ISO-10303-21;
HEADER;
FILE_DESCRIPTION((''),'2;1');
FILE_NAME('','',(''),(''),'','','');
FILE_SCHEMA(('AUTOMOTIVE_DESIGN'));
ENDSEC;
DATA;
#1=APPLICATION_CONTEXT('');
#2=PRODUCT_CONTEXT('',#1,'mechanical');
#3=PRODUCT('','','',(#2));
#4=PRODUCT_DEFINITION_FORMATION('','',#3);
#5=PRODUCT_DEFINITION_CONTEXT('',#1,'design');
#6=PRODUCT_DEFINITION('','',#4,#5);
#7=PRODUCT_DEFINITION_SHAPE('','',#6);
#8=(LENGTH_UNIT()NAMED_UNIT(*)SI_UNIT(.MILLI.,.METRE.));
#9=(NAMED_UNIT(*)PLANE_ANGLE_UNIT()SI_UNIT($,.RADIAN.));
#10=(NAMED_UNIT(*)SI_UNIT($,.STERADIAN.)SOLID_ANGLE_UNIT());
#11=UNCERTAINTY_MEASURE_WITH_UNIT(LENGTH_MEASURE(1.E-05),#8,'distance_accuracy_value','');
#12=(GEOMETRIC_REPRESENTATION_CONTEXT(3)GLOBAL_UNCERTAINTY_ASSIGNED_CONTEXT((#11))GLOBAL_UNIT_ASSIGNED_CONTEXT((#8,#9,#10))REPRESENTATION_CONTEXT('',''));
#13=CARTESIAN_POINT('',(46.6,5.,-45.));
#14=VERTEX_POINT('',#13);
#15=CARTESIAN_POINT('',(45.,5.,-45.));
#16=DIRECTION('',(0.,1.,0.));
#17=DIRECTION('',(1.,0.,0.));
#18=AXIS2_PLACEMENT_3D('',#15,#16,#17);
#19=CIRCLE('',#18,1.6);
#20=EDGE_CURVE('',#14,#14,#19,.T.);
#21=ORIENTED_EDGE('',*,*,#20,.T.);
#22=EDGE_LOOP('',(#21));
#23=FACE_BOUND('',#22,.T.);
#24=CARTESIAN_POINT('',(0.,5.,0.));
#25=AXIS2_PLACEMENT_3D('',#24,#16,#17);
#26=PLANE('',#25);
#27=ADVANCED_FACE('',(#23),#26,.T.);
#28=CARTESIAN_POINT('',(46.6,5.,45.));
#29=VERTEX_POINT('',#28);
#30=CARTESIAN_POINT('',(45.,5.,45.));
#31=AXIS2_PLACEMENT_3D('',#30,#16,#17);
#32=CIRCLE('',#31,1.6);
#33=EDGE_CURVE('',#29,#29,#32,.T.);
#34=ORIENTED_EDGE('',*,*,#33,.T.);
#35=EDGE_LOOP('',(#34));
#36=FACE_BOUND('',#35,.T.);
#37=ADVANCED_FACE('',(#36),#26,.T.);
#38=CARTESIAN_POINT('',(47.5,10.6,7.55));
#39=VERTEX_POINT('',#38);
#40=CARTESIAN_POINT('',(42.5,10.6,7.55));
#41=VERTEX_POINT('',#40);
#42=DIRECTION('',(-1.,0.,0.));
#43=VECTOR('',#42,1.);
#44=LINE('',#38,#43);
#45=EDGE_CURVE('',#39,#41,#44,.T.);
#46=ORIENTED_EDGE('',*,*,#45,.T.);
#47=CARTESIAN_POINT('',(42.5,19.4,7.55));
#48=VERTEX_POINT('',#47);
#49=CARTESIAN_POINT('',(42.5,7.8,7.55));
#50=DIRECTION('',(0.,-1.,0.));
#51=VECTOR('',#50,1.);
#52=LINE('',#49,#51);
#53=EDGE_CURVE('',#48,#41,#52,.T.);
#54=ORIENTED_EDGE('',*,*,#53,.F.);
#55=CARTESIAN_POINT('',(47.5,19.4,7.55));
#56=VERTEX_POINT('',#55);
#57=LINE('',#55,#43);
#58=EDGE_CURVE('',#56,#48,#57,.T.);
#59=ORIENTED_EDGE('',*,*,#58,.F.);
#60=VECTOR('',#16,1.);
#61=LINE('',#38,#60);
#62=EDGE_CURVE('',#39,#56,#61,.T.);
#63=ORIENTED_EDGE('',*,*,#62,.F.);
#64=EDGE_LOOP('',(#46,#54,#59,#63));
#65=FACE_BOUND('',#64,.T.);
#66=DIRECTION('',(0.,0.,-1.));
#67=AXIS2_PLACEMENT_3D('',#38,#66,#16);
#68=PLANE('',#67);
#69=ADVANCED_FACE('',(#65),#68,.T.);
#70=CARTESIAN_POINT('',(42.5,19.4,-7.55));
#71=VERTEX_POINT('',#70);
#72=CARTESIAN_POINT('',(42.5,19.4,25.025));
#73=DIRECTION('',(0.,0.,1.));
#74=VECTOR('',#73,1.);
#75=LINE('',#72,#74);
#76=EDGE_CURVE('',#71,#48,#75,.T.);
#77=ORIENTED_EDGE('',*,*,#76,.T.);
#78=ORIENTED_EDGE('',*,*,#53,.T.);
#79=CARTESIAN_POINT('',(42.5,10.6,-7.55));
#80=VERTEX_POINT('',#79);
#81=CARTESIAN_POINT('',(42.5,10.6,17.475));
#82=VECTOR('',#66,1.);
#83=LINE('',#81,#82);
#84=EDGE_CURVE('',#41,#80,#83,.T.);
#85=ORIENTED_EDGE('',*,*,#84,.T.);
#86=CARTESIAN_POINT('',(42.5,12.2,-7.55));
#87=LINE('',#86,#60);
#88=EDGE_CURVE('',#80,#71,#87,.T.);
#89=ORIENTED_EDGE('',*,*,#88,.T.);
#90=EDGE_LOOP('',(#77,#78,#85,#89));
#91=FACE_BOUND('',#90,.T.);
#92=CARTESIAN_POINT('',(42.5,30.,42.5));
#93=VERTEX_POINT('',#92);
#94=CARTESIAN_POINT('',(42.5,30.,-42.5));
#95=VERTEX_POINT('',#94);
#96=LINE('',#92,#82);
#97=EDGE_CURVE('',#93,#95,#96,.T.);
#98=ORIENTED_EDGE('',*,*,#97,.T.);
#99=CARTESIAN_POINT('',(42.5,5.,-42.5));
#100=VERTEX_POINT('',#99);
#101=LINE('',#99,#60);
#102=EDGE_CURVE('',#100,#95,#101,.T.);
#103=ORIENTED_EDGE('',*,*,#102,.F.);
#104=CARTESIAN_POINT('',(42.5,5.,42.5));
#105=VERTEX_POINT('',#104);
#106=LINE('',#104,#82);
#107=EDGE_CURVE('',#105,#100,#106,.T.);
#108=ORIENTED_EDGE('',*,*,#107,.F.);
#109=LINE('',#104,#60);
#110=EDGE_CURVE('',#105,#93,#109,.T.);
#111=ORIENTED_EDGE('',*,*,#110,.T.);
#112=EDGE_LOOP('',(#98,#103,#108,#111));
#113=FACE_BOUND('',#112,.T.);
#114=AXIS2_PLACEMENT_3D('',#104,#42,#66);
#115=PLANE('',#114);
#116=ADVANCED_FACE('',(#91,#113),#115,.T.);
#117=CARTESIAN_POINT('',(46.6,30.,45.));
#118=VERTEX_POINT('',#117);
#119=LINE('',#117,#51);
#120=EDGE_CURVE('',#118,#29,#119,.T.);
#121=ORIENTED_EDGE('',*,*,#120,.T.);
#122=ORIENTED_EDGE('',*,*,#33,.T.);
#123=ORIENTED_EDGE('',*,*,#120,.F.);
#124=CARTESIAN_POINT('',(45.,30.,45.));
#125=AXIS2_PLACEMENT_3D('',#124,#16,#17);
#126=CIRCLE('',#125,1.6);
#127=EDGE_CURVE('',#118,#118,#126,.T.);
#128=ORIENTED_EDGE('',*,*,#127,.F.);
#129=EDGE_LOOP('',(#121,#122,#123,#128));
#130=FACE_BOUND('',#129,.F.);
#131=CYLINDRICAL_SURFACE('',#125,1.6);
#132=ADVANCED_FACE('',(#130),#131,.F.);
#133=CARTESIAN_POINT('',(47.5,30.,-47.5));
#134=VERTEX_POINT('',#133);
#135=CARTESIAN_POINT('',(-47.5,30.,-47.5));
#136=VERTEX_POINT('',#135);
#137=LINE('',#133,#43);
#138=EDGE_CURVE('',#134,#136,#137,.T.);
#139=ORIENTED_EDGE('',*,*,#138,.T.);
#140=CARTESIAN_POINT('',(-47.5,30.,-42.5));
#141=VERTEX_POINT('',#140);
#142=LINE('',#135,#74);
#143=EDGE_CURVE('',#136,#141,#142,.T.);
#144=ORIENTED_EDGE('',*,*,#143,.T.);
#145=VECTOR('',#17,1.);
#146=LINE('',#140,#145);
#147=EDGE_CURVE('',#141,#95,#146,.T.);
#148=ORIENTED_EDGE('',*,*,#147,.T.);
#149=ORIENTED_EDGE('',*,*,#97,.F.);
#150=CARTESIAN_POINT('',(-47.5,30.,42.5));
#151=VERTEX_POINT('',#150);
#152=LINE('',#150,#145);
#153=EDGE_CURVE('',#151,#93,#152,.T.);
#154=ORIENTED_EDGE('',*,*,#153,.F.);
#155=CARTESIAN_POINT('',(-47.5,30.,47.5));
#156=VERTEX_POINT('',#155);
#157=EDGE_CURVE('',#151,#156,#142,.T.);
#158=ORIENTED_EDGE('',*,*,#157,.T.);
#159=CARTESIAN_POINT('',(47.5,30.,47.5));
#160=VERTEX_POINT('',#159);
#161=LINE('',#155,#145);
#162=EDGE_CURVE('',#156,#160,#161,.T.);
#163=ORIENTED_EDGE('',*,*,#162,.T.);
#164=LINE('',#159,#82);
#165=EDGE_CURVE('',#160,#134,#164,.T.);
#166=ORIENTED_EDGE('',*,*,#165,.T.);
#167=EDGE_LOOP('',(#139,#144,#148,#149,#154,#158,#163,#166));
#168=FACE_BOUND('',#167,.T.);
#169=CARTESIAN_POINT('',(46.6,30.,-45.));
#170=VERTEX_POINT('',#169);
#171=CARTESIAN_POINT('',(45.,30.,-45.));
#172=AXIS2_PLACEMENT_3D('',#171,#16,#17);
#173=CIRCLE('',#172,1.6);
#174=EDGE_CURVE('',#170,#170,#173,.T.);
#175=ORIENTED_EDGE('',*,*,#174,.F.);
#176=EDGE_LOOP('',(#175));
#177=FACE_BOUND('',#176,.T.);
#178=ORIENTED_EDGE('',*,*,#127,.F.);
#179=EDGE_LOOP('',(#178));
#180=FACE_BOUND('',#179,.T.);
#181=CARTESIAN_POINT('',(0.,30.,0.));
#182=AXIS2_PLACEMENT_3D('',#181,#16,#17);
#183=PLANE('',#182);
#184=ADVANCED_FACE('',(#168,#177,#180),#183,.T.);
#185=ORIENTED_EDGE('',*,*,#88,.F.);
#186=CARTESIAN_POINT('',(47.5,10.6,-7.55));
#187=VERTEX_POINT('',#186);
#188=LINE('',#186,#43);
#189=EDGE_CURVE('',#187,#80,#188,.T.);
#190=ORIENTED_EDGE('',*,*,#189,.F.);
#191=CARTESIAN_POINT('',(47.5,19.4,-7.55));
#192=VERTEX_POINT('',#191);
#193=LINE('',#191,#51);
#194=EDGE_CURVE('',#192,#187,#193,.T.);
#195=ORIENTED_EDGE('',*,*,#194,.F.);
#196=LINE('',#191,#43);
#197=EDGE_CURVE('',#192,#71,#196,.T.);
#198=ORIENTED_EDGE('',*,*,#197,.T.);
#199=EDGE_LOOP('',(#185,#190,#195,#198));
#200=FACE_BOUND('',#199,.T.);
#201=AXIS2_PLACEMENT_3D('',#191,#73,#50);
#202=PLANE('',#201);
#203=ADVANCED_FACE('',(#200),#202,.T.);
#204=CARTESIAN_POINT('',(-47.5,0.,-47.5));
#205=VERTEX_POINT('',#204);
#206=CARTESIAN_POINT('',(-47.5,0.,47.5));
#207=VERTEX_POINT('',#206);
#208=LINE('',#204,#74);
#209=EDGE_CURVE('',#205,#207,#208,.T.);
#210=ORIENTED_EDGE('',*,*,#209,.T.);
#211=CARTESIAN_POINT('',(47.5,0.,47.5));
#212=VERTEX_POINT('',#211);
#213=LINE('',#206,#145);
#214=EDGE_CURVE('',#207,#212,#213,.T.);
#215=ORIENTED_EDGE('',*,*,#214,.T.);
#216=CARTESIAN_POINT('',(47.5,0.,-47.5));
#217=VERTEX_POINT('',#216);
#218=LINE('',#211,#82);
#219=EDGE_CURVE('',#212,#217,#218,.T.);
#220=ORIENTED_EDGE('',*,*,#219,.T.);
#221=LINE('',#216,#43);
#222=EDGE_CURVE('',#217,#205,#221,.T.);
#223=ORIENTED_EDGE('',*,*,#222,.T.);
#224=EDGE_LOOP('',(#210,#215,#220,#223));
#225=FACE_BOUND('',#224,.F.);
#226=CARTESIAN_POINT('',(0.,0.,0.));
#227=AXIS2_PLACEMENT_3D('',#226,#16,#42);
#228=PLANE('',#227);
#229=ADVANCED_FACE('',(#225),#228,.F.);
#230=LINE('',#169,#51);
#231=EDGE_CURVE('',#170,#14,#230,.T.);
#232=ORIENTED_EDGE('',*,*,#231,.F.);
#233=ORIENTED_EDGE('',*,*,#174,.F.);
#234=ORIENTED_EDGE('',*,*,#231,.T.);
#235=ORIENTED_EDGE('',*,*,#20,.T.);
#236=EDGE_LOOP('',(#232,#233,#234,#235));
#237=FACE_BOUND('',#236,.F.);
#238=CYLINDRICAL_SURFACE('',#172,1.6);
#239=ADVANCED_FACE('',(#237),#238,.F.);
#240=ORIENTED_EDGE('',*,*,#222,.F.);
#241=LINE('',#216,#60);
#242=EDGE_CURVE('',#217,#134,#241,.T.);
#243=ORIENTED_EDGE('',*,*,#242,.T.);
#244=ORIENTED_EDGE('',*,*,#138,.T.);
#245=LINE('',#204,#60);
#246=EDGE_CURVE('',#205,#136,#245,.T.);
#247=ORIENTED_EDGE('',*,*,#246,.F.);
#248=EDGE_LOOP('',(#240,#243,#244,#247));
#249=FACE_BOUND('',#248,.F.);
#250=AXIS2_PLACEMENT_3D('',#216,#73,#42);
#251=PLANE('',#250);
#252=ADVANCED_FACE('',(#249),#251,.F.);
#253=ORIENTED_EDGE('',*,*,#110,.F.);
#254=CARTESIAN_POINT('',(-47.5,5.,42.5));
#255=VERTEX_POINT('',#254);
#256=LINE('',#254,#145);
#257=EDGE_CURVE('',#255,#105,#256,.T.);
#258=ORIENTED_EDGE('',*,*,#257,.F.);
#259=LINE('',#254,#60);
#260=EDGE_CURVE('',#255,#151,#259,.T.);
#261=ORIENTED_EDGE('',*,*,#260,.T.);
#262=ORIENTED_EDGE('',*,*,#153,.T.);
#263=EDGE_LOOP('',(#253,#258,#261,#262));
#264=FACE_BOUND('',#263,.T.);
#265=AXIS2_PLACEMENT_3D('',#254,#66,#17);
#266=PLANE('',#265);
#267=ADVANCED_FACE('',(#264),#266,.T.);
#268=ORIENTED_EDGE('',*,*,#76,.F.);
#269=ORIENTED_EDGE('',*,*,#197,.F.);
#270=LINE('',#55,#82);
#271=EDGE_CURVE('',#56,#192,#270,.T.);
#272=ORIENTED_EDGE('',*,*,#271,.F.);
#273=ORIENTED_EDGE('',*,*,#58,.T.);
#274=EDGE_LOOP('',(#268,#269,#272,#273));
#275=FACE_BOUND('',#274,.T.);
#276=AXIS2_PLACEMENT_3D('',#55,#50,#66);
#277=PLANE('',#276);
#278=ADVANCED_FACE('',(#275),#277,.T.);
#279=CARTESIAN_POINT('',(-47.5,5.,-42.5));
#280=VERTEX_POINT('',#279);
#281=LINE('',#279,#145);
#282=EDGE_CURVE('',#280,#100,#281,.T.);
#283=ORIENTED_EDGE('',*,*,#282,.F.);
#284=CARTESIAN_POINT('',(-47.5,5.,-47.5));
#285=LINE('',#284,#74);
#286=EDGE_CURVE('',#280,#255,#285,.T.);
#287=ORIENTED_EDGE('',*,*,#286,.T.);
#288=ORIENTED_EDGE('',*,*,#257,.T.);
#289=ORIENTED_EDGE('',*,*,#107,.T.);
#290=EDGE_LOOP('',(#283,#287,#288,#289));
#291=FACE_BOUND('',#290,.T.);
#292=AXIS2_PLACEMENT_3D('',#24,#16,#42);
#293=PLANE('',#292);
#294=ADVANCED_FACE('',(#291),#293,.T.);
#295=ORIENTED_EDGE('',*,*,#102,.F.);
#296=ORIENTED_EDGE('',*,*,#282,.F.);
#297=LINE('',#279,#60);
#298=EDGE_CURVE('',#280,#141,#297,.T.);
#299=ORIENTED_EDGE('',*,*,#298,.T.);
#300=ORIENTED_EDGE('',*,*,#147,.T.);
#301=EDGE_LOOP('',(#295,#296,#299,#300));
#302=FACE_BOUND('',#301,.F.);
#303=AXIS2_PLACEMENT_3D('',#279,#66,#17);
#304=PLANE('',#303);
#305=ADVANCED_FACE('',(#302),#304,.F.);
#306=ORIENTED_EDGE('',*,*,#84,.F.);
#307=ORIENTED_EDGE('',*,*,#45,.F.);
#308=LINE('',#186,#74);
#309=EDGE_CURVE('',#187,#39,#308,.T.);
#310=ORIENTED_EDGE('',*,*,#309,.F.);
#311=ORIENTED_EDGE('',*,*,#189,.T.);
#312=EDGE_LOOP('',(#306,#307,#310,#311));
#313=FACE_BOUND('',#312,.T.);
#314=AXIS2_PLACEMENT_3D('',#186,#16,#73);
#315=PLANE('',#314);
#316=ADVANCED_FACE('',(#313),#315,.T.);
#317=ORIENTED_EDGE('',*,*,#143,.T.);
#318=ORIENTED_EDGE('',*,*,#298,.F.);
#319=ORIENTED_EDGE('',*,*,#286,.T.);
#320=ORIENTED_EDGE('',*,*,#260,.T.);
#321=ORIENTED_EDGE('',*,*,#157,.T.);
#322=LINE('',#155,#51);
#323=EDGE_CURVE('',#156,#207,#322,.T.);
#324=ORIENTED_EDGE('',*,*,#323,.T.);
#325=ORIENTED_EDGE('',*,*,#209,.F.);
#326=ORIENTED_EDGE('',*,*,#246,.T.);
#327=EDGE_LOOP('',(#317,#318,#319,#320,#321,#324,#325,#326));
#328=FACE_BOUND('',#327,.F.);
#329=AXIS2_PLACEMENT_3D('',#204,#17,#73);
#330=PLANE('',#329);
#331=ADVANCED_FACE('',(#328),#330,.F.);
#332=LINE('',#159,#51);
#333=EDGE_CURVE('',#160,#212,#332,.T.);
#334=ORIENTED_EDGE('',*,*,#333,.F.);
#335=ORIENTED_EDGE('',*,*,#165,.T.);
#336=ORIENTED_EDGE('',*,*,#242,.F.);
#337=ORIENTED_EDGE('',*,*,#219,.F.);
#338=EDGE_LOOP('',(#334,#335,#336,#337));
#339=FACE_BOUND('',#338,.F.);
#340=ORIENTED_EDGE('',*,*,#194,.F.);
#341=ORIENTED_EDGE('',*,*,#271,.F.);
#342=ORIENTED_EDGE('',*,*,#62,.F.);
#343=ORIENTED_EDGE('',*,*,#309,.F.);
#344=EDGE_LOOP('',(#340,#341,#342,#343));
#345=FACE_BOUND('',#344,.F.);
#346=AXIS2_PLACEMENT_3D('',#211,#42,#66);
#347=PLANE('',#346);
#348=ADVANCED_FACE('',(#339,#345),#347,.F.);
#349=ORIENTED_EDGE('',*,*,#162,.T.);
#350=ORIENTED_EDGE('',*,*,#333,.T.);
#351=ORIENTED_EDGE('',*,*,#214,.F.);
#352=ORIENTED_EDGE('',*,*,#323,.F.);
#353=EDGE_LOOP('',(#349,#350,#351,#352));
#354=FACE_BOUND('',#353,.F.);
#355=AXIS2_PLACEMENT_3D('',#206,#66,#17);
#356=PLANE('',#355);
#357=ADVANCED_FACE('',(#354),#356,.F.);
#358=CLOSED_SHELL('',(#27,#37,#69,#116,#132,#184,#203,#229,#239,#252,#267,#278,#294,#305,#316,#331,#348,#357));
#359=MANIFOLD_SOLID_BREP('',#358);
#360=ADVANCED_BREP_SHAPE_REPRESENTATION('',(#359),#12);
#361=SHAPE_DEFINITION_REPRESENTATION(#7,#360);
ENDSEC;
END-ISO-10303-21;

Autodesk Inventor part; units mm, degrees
ref_plane "YZ Plane" through (0, 0, 0) normal (1, 0, 0) x (0, 1, 0)
ref_plane "XZ Plane" through (0, 0, 0) normal (0, 1, 0) x (-1, 0, 0)
ref_plane "XY Plane" through (0, 0, 0) normal (0, 0, 1) x (1, 0, 0)
sketch "Sketch4" plane through (0, 0, 0) normal (0, 1, 0) x (-1, 0, 0)
  line L0 (-47.5, -47.5) -> (47.5, -47.5)
  line L1 (47.5, -47.5) -> (47.5, 47.5)
  line L2 (47.5, 47.5) -> (-47.5, 47.5)
  line L3 (-47.5, 47.5) -> (-47.5, -47.5)
  line L4 (-47.5, -47.5) -> (47.5, 47.5) construction
  line L5 (47.5, -47.5) -> (-47.5, 47.5) construction
  point P0 (0, 0)
  dimension "d24" = 95
  dimension "d25" = 95
extrude "Extrusion4" add sketch "Sketch4" along normal blind 5
sketch "Sketch5" plane through (0, 5, 0) normal (0, 1, 0) x (1, 0, 0)
  line L0 (-47.5, 47.5) -> (-47.5, -47.5) projected
  line L1 (-47.5, -42.5) -> (42.5, -42.5)
  line L2 (47.5, -47.5) -> (47.5, 47.5) projected
  line L3 (-47.5, -47.5) -> (47.5, -47.5) projected
  line L4 (42.5, -42.5) -> (42.5, 42.5)
  line L5 (-47.5, 42.5) -> (42.5, 42.5)
  line L6 (47.5, 47.5) -> (-47.5, 47.5) projected
  point P0 (0, 0)
  dimension "d28" = 5
  dimension "d29" = 5
  dimension "d30" = 5
extrude "Extrusion5" add sketch "Sketch5" along normal blind 25 contours L6 L2 L3 L0 L1 L4 L5
sketch "Sketch6" plane through (0, 30, 0) normal (0, 1, 0) x (1, 0, 0)
  circle A0 centre (45, -45) radius 1.6
  circle A1 centre (45, 45) radius 1.6
  line L0 (47.5, -47.5) -> (47.5, 47.5) projected
  line L1 (-47.5, -47.5) -> (47.5, -47.5) projected
  line L2 (47.5, 47.5) -> (-47.5, 47.5) projected
  point P0 (0, 0)
  dimension "d33" = 3.2
  dimension "d34" = 3.2
  dimension "d35" = 2.5
  dimension "d36" = 2.5
  dimension "d37" = 2.5
  dimension "d38" = 2.5
extrude "Extrusion6" cut sketch "Sketch6" against normal blind 25
sketch "Sketch7" plane through (47.5, 0, 47.5) normal (1, 0, 0) x (0, 0, -1)
  line L0 (39.95, 19.4) -> (55.05, 19.4)
  line L1 (55.05, 19.4) -> (55.05, 10.6)
  line L2 (55.05, 10.6) -> (39.95, 10.6)
  line L3 (39.95, 10.6) -> (39.95, 19.4)
  line L4 (39.95, 19.4) -> (55.05, 10.6) construction
  line L5 (55.05, 19.4) -> (39.95, 10.6) construction
  line L6 (0, 0) -> (95, 0) projected
  line L7 (0, 30) -> (95, 30) projected
  line L8 (0, 0) -> (0, 30) projected
  line L9 (95, 0) -> (95, 30) projected
  point P0 (47.5, 0)
  point P1 (47.5, 15)
  dimension "d41" = 15.1
  dimension "d42" = 8.8
  dimension "d43" = 10.6
  dimension "d44" = 10.6
  dimension "d45" = 39.95
  dimension "d46" = 39.95
extrude "Extrusion7" cut sketch "Sketch7" against normal blind 25 contours L0 L1 L2 L3
properties part number "Caja_Bateria"
